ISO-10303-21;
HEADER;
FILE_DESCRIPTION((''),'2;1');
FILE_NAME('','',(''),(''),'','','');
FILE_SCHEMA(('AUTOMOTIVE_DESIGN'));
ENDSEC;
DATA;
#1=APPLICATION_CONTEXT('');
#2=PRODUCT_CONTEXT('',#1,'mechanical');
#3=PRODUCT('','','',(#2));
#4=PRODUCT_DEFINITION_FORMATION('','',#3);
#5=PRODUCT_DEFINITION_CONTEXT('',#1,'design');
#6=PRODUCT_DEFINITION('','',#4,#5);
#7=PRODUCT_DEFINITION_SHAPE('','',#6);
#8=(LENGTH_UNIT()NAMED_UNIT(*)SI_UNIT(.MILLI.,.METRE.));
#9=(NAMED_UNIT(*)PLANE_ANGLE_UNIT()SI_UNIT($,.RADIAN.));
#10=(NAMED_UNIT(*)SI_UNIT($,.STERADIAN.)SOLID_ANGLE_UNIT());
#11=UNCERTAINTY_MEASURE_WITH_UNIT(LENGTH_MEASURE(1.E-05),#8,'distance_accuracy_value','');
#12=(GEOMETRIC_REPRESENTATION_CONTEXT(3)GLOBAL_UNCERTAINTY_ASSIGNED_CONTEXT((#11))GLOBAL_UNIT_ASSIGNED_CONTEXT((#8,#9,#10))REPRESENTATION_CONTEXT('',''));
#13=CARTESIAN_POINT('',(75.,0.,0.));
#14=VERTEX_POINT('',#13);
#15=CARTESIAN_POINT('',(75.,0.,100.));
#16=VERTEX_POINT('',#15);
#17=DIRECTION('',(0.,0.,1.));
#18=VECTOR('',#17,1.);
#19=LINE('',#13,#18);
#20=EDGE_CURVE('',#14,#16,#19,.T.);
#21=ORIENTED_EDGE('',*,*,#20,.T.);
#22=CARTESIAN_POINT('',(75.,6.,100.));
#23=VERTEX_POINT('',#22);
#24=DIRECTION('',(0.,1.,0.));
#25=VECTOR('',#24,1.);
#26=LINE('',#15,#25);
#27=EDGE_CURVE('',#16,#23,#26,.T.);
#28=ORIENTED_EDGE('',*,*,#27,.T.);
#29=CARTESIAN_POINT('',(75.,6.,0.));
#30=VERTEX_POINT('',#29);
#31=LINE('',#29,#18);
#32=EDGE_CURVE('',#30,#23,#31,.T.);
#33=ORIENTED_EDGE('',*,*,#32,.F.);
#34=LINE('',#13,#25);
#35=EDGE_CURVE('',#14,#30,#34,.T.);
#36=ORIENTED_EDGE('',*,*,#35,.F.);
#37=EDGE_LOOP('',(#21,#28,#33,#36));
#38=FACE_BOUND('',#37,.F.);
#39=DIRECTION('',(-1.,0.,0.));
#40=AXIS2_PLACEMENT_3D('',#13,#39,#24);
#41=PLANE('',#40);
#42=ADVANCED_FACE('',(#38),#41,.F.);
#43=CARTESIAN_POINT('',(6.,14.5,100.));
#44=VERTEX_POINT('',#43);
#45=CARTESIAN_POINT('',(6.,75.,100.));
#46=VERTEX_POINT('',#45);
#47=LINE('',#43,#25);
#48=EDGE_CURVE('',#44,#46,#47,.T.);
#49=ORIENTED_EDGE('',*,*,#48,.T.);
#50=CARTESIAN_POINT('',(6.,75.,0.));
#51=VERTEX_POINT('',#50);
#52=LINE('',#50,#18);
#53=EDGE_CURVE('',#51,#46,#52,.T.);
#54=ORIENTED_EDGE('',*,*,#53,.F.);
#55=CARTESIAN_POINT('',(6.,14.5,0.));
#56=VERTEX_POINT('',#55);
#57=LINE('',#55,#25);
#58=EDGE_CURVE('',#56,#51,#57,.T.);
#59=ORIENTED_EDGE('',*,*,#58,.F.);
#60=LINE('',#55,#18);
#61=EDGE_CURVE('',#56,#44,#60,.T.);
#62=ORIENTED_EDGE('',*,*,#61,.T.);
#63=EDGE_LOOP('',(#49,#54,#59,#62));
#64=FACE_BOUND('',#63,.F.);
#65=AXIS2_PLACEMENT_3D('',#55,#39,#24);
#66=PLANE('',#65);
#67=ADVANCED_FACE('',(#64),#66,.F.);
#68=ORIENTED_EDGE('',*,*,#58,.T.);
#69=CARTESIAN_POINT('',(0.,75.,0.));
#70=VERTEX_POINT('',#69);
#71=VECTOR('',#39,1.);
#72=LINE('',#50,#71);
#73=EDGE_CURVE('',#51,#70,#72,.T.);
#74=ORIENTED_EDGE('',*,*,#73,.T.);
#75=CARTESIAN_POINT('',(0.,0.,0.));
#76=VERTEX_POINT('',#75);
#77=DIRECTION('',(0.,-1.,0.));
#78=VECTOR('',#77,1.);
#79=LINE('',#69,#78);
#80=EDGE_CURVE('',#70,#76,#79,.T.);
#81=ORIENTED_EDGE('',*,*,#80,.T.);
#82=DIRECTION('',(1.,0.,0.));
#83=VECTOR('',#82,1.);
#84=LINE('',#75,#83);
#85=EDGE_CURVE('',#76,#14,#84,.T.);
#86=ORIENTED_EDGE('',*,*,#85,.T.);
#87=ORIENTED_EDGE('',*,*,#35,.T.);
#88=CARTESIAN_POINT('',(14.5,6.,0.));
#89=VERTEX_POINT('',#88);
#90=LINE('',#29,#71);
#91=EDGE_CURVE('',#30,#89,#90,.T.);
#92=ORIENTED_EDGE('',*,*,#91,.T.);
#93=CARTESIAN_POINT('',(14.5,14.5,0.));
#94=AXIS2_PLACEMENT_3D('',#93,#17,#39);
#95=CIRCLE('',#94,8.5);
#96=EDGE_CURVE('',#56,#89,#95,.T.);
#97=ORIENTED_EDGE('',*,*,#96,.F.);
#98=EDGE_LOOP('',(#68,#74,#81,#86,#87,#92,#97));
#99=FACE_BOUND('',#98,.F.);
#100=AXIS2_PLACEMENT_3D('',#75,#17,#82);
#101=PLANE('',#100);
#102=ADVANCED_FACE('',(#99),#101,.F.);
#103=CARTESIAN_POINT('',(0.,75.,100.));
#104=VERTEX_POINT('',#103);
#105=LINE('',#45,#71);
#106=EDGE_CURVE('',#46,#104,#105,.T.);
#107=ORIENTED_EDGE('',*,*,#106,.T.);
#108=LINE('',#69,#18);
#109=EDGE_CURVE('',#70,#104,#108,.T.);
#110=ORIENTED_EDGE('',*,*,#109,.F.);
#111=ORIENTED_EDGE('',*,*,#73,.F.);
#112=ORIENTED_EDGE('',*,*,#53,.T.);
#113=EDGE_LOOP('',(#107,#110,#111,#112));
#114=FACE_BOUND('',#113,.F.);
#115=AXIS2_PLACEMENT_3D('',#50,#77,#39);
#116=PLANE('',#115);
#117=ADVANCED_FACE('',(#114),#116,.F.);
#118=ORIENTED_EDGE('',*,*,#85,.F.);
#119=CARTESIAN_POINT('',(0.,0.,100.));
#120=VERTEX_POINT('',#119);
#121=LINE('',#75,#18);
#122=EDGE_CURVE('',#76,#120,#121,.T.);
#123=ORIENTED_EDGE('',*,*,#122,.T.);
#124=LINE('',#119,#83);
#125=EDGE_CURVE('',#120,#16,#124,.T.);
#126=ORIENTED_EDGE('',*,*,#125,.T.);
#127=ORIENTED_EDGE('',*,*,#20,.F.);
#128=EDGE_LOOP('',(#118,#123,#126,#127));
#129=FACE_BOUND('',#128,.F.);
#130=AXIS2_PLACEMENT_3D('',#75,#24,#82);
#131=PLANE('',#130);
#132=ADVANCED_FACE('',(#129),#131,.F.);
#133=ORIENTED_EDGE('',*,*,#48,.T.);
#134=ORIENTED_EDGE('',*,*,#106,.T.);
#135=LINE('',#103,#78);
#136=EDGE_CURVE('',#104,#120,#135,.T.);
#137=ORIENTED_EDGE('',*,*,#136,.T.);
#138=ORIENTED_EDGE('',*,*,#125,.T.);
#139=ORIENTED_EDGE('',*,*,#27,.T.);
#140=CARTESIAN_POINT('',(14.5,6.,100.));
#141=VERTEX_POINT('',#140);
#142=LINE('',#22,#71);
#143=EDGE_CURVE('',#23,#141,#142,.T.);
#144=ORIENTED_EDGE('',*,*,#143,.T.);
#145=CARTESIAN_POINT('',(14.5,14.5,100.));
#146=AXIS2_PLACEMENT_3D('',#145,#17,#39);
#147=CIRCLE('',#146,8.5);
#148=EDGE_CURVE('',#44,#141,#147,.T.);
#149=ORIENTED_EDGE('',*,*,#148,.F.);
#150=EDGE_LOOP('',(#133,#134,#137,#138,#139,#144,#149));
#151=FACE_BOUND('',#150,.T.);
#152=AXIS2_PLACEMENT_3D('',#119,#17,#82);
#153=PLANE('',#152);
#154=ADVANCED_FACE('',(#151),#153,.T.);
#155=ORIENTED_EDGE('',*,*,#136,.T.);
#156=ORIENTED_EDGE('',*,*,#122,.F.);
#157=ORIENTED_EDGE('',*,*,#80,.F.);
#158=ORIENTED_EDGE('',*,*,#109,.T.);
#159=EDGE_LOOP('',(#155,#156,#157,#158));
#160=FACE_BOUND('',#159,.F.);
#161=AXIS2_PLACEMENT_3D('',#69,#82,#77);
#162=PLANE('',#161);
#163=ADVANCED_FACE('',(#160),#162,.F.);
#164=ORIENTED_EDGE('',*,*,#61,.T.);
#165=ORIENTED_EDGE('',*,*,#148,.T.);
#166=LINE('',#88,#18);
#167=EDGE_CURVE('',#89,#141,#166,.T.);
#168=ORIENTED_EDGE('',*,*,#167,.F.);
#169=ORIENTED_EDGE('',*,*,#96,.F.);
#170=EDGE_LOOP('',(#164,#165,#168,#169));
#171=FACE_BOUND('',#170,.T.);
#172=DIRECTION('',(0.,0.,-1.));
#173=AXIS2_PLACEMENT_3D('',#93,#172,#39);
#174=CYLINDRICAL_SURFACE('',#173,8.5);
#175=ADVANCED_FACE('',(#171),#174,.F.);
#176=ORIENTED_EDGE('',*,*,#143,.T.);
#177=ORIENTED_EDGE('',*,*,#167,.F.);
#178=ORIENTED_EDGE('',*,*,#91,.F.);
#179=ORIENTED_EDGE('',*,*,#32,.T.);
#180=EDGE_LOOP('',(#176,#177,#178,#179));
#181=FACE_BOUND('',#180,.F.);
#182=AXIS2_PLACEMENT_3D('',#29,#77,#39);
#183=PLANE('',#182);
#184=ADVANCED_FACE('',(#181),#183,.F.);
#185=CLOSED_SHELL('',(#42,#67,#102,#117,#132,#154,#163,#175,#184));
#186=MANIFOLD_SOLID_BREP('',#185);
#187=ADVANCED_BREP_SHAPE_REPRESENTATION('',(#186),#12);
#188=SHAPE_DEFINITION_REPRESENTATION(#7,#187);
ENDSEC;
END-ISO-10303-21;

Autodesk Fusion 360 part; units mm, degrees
sketch "スケッチ1" plane through (0, 0, 0) normal (0, 0, 1) x (1, 0, 0)
  line L0 (0, 75) -> (0, 0)
  line L1 (6, 14.5) -> (6, 75)
  line L2 (75, 6) -> (14.5, 6)
  line L3 (0, 0) -> (75, 0)
  arc A0 (6, 14.5) -> (14.5, 6) centre (14.5, 14.5) ccw
  line L4 (75, 0) -> (75, 6)
  line L5 (6, 75) -> (0, 75)
extrude "押し出し1" add sketch "スケッチ1" along normal blind 100
